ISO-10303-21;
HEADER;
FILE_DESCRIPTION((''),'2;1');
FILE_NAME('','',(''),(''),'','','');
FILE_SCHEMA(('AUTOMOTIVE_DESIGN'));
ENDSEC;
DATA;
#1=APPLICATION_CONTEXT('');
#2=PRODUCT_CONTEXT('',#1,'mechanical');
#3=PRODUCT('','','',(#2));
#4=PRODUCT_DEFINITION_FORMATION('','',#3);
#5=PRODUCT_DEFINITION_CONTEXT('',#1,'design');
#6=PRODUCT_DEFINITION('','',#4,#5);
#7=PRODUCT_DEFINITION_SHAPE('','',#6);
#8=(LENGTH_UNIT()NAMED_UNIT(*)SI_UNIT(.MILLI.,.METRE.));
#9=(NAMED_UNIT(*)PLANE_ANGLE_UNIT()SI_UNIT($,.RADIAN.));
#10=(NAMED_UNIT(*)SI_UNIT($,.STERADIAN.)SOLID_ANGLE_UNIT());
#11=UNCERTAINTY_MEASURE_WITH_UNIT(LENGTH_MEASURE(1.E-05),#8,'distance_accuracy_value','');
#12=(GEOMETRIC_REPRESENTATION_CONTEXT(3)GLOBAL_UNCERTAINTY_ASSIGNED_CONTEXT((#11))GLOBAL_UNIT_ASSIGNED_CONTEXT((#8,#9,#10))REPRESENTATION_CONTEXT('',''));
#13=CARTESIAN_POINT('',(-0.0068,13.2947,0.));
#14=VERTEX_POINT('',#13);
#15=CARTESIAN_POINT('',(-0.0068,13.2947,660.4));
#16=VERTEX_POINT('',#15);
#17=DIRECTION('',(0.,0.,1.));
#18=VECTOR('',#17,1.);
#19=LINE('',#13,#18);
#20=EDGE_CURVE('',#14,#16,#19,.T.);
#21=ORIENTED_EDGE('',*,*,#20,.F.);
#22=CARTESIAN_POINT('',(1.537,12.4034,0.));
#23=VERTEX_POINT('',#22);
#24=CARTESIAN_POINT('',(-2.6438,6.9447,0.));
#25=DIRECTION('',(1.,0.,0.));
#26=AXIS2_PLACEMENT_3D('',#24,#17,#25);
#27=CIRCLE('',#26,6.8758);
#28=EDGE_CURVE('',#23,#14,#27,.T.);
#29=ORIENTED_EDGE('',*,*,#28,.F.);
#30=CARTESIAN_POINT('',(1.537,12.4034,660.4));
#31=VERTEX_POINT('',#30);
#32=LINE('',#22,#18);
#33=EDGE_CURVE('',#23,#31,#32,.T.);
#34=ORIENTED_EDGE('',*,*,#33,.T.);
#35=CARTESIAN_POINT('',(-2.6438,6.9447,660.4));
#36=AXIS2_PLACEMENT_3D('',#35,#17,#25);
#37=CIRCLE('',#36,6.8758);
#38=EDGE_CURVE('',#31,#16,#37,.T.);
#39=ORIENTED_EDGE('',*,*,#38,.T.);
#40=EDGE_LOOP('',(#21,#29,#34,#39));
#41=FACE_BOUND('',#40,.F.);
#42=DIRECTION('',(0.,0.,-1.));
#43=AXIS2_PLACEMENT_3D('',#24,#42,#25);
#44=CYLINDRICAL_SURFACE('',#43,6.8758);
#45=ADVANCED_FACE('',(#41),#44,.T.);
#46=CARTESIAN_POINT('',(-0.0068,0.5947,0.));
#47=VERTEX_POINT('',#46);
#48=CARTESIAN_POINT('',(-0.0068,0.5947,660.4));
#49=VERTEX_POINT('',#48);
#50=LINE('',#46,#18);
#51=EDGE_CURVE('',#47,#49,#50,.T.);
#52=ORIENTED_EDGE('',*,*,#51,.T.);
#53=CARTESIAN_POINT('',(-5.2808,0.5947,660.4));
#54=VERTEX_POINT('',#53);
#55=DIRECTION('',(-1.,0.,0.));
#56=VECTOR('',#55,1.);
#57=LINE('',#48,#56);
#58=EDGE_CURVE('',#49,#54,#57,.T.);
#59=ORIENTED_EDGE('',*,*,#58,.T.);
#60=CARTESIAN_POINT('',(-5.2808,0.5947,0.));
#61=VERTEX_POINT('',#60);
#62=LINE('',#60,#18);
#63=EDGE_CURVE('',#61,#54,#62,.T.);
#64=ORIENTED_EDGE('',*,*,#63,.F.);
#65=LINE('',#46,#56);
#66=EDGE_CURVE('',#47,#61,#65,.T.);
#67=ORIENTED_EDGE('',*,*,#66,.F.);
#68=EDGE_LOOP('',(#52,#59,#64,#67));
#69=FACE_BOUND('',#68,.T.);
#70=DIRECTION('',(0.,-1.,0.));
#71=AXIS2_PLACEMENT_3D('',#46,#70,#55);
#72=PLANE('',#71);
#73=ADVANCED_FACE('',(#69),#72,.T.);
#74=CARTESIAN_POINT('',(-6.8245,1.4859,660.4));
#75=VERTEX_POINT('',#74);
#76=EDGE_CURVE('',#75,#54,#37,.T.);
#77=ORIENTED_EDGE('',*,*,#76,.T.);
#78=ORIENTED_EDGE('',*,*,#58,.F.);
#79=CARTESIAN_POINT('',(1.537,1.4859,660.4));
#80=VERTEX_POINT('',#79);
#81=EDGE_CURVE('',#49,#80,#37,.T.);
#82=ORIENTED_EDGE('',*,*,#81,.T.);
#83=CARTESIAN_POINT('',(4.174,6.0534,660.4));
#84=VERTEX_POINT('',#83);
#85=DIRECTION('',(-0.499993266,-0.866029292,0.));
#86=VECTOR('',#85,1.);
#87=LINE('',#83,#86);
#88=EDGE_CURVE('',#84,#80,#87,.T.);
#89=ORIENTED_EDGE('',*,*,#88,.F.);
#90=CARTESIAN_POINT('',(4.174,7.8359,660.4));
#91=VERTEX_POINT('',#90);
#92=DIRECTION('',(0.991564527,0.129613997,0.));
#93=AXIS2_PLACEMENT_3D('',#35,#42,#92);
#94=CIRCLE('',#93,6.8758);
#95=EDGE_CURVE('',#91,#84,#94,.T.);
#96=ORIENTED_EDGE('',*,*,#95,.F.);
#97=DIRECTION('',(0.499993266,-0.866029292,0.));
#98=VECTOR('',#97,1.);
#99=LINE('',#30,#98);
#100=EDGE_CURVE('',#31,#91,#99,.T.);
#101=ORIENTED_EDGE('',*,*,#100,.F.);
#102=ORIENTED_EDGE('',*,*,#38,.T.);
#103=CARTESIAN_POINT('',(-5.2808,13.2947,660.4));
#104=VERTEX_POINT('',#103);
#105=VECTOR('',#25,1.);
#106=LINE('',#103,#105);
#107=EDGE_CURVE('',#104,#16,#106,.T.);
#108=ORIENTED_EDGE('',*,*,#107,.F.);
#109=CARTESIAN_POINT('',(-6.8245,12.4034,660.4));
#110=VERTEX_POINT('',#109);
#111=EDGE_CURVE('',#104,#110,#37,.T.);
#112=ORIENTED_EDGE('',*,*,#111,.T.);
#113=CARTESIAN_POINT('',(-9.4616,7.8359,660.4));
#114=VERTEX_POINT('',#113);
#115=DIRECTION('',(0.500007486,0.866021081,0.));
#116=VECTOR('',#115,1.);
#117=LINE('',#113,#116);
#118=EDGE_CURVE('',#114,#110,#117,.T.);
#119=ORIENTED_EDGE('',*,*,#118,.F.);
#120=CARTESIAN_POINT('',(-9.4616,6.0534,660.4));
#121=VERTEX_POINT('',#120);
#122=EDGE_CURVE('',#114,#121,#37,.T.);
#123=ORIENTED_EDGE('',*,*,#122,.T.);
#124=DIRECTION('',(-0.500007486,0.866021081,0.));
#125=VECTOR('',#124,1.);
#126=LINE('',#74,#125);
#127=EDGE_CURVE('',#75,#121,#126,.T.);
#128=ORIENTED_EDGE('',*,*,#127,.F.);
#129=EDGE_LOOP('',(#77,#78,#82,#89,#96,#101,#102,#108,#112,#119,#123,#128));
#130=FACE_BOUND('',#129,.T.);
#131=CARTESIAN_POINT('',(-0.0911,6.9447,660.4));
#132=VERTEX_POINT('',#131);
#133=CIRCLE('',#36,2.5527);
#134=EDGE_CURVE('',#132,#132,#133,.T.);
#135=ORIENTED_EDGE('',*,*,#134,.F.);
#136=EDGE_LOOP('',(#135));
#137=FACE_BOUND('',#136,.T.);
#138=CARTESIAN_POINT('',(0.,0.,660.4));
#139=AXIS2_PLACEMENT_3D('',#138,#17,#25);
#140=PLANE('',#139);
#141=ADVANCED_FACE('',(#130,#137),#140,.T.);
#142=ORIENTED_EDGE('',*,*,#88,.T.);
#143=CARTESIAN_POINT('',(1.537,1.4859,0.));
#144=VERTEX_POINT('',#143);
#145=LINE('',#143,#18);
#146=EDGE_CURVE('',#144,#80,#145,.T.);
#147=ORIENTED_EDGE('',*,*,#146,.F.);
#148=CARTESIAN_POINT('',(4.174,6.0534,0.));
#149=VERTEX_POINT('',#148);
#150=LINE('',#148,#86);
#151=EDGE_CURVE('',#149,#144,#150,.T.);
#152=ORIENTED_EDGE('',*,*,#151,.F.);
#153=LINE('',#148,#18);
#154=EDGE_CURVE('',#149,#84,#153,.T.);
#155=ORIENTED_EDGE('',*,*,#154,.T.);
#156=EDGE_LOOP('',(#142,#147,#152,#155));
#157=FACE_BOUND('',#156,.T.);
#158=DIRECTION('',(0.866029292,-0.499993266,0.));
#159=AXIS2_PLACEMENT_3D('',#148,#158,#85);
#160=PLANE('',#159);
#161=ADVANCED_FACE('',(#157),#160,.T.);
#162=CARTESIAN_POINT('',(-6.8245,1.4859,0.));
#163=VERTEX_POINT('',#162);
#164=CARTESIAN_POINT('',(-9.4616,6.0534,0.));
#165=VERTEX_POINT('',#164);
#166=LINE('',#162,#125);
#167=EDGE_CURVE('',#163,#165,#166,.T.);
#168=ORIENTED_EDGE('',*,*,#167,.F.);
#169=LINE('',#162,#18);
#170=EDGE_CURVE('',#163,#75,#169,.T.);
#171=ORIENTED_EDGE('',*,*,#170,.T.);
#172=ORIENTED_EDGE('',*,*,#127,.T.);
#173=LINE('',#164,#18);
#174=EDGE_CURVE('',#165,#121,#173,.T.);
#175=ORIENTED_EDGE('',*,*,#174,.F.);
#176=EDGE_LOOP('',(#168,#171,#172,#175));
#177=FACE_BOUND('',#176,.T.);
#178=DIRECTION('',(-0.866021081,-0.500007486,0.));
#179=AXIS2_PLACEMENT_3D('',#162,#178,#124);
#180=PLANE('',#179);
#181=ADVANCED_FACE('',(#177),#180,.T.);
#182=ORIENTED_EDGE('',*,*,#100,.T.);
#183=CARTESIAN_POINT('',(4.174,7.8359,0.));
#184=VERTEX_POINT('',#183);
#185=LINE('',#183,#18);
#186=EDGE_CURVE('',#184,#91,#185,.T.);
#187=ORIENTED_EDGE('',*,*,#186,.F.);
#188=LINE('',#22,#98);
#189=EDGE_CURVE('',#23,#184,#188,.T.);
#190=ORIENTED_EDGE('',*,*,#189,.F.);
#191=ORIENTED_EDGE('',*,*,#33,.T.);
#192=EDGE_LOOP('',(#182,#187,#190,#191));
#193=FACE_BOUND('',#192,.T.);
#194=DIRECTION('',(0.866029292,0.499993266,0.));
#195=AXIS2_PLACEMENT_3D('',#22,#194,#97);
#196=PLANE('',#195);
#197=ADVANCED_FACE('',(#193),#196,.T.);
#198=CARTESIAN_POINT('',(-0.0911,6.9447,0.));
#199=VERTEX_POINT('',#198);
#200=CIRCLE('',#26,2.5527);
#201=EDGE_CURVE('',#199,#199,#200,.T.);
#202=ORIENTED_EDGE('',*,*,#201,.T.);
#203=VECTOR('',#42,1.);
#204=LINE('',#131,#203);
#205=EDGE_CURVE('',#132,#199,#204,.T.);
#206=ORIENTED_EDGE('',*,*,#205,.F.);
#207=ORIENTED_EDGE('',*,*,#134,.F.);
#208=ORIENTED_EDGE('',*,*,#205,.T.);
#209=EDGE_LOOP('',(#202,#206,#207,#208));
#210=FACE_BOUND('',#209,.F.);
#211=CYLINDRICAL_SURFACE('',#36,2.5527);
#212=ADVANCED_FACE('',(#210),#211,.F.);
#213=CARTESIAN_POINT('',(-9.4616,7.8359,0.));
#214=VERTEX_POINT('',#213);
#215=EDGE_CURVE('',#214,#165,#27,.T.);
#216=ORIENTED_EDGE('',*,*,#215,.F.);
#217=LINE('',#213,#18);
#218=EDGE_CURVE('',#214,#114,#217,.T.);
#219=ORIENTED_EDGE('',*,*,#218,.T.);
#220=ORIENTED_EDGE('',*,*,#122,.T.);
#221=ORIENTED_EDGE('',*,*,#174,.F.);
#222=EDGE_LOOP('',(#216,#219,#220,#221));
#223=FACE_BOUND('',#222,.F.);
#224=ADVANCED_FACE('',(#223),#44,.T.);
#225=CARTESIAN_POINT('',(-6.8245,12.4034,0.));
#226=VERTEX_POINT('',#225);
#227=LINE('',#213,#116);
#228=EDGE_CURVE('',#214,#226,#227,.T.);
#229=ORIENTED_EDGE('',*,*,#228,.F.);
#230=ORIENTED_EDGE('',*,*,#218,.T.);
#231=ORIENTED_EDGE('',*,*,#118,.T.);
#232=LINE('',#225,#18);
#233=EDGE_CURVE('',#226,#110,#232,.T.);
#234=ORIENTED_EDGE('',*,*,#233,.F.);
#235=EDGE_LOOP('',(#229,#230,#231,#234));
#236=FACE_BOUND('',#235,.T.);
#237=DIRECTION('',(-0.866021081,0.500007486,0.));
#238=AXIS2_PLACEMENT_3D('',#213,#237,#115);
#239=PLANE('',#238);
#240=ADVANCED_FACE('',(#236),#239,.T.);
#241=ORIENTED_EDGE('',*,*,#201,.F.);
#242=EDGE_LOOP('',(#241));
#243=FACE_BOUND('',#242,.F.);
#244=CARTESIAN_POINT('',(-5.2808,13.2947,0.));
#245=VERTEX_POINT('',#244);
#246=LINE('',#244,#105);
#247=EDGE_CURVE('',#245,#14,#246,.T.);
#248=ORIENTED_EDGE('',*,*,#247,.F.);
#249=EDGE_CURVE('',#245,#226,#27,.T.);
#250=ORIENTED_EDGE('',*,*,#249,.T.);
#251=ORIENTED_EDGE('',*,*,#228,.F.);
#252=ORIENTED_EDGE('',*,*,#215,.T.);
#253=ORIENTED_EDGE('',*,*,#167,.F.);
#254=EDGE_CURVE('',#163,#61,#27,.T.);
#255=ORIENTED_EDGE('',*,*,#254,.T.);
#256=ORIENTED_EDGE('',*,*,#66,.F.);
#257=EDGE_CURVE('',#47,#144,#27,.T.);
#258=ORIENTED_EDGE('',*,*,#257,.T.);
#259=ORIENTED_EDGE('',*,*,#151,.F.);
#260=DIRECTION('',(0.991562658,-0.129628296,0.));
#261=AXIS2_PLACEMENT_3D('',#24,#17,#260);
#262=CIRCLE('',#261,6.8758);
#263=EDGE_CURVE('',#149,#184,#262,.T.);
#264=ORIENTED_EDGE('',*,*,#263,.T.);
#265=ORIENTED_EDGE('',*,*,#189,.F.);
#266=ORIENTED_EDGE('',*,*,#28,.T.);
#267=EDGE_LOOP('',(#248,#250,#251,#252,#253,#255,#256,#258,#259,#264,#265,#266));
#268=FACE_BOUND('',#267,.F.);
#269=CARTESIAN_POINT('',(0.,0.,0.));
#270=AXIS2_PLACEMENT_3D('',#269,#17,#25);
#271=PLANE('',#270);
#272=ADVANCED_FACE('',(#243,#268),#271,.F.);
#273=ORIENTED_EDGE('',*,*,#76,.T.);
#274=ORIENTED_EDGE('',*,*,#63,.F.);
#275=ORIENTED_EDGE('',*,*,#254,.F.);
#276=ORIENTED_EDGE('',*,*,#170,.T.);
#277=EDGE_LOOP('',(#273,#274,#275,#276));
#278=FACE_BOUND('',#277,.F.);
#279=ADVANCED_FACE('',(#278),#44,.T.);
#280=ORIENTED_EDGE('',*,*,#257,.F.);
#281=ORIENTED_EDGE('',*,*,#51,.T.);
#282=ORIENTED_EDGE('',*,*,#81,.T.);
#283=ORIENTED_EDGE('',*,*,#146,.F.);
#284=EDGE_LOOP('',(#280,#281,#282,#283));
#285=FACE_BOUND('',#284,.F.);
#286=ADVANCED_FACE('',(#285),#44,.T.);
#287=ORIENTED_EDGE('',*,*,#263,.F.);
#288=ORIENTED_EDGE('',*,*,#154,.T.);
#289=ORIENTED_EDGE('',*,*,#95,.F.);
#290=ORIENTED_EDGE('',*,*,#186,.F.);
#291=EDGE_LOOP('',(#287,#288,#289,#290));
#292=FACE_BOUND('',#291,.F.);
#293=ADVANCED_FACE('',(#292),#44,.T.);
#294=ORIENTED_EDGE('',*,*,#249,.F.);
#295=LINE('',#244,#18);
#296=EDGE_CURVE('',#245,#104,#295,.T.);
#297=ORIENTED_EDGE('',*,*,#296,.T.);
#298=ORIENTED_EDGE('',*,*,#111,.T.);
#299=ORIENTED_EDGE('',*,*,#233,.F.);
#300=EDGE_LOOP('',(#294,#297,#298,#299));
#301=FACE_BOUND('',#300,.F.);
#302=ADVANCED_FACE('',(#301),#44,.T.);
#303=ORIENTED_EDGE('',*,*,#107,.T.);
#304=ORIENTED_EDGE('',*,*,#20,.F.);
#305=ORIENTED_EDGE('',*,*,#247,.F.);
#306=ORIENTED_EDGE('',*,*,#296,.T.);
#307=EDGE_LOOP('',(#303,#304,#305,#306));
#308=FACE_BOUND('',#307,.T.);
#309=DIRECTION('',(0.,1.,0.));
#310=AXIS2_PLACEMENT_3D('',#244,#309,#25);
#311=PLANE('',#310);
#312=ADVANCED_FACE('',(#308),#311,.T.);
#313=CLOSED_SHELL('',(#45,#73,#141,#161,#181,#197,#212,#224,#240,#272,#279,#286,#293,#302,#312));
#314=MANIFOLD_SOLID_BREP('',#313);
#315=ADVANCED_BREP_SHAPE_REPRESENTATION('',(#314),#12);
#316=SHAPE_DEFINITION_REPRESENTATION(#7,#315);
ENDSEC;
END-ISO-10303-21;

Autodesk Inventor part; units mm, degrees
ref_plane "YZ Plane" through (0, 0, 0) normal (1, 0, 0) x (0, 1, 0)
ref_plane "XZ Plane" through (0, 0, 0) normal (0, 1, 0) x (-1, 0, 0)
ref_plane "XY Plane" through (0, 0, 0) normal (0, 0, 1) x (1, 0, 0)
sketch "Sketch1" plane through (0, 0, 0) normal (0, 0, 1) x (1, 0, 0)
  circle A0 centre (-2.6438, 6.9447) radius 6.8758
  line L0 (-9.4616, 7.8359) -> (-6.8245, 12.4034)
  line L1 (-6.8245, 1.4859) -> (-9.4616, 6.0534)
  line L2 (-0.0068, 0.5947) -> (-5.2808, 0.5947)
  line L3 (4.174, 6.0534) -> (1.537, 1.4859)
  line L4 (1.537, 12.4034) -> (4.174, 7.8359)
  line L5 (-5.2808, 13.2947) -> (-0.0068, 13.2947)
  point P0 (0, 0)
  point P1 (1.537, 1.4859)
  dimension "d0" = 13.7516
  dimension "d4" = 360
extrude "Extrusion1" add sketch "Sketch1" along normal blind 660.4 contours A0 L3 L2 L1 L0 L5 L4
sketch "Sketch2" plane through (0, 0, 660.4) normal (0, 0, 1) x (1, 0, 0)
  circle A0 centre (-2.6438, 6.9447) radius 2.5527
  line L0 (-5.2808, 0.5947) -> (-0.0068, 0.5947) projected
  line L1 (-2.6438, 6.9447) -> (-5.2808, 0.5947) construction
  line L2 (-2.6438, 6.9447) -> (-0.0068, 0.5947) construction
  point P0 (0, 0)
  dimension "d8" = 5.1054
  dimension "d9" = 6.35
extrude "Extrusion2" cut sketch "Sketch2" against normal blind 660.4
equation "\"d6\" = d5"
equation "\"d10\" = d5"
equation "\"d5\" = 660.4"
properties part number "24in THUNDERSHAFT"
